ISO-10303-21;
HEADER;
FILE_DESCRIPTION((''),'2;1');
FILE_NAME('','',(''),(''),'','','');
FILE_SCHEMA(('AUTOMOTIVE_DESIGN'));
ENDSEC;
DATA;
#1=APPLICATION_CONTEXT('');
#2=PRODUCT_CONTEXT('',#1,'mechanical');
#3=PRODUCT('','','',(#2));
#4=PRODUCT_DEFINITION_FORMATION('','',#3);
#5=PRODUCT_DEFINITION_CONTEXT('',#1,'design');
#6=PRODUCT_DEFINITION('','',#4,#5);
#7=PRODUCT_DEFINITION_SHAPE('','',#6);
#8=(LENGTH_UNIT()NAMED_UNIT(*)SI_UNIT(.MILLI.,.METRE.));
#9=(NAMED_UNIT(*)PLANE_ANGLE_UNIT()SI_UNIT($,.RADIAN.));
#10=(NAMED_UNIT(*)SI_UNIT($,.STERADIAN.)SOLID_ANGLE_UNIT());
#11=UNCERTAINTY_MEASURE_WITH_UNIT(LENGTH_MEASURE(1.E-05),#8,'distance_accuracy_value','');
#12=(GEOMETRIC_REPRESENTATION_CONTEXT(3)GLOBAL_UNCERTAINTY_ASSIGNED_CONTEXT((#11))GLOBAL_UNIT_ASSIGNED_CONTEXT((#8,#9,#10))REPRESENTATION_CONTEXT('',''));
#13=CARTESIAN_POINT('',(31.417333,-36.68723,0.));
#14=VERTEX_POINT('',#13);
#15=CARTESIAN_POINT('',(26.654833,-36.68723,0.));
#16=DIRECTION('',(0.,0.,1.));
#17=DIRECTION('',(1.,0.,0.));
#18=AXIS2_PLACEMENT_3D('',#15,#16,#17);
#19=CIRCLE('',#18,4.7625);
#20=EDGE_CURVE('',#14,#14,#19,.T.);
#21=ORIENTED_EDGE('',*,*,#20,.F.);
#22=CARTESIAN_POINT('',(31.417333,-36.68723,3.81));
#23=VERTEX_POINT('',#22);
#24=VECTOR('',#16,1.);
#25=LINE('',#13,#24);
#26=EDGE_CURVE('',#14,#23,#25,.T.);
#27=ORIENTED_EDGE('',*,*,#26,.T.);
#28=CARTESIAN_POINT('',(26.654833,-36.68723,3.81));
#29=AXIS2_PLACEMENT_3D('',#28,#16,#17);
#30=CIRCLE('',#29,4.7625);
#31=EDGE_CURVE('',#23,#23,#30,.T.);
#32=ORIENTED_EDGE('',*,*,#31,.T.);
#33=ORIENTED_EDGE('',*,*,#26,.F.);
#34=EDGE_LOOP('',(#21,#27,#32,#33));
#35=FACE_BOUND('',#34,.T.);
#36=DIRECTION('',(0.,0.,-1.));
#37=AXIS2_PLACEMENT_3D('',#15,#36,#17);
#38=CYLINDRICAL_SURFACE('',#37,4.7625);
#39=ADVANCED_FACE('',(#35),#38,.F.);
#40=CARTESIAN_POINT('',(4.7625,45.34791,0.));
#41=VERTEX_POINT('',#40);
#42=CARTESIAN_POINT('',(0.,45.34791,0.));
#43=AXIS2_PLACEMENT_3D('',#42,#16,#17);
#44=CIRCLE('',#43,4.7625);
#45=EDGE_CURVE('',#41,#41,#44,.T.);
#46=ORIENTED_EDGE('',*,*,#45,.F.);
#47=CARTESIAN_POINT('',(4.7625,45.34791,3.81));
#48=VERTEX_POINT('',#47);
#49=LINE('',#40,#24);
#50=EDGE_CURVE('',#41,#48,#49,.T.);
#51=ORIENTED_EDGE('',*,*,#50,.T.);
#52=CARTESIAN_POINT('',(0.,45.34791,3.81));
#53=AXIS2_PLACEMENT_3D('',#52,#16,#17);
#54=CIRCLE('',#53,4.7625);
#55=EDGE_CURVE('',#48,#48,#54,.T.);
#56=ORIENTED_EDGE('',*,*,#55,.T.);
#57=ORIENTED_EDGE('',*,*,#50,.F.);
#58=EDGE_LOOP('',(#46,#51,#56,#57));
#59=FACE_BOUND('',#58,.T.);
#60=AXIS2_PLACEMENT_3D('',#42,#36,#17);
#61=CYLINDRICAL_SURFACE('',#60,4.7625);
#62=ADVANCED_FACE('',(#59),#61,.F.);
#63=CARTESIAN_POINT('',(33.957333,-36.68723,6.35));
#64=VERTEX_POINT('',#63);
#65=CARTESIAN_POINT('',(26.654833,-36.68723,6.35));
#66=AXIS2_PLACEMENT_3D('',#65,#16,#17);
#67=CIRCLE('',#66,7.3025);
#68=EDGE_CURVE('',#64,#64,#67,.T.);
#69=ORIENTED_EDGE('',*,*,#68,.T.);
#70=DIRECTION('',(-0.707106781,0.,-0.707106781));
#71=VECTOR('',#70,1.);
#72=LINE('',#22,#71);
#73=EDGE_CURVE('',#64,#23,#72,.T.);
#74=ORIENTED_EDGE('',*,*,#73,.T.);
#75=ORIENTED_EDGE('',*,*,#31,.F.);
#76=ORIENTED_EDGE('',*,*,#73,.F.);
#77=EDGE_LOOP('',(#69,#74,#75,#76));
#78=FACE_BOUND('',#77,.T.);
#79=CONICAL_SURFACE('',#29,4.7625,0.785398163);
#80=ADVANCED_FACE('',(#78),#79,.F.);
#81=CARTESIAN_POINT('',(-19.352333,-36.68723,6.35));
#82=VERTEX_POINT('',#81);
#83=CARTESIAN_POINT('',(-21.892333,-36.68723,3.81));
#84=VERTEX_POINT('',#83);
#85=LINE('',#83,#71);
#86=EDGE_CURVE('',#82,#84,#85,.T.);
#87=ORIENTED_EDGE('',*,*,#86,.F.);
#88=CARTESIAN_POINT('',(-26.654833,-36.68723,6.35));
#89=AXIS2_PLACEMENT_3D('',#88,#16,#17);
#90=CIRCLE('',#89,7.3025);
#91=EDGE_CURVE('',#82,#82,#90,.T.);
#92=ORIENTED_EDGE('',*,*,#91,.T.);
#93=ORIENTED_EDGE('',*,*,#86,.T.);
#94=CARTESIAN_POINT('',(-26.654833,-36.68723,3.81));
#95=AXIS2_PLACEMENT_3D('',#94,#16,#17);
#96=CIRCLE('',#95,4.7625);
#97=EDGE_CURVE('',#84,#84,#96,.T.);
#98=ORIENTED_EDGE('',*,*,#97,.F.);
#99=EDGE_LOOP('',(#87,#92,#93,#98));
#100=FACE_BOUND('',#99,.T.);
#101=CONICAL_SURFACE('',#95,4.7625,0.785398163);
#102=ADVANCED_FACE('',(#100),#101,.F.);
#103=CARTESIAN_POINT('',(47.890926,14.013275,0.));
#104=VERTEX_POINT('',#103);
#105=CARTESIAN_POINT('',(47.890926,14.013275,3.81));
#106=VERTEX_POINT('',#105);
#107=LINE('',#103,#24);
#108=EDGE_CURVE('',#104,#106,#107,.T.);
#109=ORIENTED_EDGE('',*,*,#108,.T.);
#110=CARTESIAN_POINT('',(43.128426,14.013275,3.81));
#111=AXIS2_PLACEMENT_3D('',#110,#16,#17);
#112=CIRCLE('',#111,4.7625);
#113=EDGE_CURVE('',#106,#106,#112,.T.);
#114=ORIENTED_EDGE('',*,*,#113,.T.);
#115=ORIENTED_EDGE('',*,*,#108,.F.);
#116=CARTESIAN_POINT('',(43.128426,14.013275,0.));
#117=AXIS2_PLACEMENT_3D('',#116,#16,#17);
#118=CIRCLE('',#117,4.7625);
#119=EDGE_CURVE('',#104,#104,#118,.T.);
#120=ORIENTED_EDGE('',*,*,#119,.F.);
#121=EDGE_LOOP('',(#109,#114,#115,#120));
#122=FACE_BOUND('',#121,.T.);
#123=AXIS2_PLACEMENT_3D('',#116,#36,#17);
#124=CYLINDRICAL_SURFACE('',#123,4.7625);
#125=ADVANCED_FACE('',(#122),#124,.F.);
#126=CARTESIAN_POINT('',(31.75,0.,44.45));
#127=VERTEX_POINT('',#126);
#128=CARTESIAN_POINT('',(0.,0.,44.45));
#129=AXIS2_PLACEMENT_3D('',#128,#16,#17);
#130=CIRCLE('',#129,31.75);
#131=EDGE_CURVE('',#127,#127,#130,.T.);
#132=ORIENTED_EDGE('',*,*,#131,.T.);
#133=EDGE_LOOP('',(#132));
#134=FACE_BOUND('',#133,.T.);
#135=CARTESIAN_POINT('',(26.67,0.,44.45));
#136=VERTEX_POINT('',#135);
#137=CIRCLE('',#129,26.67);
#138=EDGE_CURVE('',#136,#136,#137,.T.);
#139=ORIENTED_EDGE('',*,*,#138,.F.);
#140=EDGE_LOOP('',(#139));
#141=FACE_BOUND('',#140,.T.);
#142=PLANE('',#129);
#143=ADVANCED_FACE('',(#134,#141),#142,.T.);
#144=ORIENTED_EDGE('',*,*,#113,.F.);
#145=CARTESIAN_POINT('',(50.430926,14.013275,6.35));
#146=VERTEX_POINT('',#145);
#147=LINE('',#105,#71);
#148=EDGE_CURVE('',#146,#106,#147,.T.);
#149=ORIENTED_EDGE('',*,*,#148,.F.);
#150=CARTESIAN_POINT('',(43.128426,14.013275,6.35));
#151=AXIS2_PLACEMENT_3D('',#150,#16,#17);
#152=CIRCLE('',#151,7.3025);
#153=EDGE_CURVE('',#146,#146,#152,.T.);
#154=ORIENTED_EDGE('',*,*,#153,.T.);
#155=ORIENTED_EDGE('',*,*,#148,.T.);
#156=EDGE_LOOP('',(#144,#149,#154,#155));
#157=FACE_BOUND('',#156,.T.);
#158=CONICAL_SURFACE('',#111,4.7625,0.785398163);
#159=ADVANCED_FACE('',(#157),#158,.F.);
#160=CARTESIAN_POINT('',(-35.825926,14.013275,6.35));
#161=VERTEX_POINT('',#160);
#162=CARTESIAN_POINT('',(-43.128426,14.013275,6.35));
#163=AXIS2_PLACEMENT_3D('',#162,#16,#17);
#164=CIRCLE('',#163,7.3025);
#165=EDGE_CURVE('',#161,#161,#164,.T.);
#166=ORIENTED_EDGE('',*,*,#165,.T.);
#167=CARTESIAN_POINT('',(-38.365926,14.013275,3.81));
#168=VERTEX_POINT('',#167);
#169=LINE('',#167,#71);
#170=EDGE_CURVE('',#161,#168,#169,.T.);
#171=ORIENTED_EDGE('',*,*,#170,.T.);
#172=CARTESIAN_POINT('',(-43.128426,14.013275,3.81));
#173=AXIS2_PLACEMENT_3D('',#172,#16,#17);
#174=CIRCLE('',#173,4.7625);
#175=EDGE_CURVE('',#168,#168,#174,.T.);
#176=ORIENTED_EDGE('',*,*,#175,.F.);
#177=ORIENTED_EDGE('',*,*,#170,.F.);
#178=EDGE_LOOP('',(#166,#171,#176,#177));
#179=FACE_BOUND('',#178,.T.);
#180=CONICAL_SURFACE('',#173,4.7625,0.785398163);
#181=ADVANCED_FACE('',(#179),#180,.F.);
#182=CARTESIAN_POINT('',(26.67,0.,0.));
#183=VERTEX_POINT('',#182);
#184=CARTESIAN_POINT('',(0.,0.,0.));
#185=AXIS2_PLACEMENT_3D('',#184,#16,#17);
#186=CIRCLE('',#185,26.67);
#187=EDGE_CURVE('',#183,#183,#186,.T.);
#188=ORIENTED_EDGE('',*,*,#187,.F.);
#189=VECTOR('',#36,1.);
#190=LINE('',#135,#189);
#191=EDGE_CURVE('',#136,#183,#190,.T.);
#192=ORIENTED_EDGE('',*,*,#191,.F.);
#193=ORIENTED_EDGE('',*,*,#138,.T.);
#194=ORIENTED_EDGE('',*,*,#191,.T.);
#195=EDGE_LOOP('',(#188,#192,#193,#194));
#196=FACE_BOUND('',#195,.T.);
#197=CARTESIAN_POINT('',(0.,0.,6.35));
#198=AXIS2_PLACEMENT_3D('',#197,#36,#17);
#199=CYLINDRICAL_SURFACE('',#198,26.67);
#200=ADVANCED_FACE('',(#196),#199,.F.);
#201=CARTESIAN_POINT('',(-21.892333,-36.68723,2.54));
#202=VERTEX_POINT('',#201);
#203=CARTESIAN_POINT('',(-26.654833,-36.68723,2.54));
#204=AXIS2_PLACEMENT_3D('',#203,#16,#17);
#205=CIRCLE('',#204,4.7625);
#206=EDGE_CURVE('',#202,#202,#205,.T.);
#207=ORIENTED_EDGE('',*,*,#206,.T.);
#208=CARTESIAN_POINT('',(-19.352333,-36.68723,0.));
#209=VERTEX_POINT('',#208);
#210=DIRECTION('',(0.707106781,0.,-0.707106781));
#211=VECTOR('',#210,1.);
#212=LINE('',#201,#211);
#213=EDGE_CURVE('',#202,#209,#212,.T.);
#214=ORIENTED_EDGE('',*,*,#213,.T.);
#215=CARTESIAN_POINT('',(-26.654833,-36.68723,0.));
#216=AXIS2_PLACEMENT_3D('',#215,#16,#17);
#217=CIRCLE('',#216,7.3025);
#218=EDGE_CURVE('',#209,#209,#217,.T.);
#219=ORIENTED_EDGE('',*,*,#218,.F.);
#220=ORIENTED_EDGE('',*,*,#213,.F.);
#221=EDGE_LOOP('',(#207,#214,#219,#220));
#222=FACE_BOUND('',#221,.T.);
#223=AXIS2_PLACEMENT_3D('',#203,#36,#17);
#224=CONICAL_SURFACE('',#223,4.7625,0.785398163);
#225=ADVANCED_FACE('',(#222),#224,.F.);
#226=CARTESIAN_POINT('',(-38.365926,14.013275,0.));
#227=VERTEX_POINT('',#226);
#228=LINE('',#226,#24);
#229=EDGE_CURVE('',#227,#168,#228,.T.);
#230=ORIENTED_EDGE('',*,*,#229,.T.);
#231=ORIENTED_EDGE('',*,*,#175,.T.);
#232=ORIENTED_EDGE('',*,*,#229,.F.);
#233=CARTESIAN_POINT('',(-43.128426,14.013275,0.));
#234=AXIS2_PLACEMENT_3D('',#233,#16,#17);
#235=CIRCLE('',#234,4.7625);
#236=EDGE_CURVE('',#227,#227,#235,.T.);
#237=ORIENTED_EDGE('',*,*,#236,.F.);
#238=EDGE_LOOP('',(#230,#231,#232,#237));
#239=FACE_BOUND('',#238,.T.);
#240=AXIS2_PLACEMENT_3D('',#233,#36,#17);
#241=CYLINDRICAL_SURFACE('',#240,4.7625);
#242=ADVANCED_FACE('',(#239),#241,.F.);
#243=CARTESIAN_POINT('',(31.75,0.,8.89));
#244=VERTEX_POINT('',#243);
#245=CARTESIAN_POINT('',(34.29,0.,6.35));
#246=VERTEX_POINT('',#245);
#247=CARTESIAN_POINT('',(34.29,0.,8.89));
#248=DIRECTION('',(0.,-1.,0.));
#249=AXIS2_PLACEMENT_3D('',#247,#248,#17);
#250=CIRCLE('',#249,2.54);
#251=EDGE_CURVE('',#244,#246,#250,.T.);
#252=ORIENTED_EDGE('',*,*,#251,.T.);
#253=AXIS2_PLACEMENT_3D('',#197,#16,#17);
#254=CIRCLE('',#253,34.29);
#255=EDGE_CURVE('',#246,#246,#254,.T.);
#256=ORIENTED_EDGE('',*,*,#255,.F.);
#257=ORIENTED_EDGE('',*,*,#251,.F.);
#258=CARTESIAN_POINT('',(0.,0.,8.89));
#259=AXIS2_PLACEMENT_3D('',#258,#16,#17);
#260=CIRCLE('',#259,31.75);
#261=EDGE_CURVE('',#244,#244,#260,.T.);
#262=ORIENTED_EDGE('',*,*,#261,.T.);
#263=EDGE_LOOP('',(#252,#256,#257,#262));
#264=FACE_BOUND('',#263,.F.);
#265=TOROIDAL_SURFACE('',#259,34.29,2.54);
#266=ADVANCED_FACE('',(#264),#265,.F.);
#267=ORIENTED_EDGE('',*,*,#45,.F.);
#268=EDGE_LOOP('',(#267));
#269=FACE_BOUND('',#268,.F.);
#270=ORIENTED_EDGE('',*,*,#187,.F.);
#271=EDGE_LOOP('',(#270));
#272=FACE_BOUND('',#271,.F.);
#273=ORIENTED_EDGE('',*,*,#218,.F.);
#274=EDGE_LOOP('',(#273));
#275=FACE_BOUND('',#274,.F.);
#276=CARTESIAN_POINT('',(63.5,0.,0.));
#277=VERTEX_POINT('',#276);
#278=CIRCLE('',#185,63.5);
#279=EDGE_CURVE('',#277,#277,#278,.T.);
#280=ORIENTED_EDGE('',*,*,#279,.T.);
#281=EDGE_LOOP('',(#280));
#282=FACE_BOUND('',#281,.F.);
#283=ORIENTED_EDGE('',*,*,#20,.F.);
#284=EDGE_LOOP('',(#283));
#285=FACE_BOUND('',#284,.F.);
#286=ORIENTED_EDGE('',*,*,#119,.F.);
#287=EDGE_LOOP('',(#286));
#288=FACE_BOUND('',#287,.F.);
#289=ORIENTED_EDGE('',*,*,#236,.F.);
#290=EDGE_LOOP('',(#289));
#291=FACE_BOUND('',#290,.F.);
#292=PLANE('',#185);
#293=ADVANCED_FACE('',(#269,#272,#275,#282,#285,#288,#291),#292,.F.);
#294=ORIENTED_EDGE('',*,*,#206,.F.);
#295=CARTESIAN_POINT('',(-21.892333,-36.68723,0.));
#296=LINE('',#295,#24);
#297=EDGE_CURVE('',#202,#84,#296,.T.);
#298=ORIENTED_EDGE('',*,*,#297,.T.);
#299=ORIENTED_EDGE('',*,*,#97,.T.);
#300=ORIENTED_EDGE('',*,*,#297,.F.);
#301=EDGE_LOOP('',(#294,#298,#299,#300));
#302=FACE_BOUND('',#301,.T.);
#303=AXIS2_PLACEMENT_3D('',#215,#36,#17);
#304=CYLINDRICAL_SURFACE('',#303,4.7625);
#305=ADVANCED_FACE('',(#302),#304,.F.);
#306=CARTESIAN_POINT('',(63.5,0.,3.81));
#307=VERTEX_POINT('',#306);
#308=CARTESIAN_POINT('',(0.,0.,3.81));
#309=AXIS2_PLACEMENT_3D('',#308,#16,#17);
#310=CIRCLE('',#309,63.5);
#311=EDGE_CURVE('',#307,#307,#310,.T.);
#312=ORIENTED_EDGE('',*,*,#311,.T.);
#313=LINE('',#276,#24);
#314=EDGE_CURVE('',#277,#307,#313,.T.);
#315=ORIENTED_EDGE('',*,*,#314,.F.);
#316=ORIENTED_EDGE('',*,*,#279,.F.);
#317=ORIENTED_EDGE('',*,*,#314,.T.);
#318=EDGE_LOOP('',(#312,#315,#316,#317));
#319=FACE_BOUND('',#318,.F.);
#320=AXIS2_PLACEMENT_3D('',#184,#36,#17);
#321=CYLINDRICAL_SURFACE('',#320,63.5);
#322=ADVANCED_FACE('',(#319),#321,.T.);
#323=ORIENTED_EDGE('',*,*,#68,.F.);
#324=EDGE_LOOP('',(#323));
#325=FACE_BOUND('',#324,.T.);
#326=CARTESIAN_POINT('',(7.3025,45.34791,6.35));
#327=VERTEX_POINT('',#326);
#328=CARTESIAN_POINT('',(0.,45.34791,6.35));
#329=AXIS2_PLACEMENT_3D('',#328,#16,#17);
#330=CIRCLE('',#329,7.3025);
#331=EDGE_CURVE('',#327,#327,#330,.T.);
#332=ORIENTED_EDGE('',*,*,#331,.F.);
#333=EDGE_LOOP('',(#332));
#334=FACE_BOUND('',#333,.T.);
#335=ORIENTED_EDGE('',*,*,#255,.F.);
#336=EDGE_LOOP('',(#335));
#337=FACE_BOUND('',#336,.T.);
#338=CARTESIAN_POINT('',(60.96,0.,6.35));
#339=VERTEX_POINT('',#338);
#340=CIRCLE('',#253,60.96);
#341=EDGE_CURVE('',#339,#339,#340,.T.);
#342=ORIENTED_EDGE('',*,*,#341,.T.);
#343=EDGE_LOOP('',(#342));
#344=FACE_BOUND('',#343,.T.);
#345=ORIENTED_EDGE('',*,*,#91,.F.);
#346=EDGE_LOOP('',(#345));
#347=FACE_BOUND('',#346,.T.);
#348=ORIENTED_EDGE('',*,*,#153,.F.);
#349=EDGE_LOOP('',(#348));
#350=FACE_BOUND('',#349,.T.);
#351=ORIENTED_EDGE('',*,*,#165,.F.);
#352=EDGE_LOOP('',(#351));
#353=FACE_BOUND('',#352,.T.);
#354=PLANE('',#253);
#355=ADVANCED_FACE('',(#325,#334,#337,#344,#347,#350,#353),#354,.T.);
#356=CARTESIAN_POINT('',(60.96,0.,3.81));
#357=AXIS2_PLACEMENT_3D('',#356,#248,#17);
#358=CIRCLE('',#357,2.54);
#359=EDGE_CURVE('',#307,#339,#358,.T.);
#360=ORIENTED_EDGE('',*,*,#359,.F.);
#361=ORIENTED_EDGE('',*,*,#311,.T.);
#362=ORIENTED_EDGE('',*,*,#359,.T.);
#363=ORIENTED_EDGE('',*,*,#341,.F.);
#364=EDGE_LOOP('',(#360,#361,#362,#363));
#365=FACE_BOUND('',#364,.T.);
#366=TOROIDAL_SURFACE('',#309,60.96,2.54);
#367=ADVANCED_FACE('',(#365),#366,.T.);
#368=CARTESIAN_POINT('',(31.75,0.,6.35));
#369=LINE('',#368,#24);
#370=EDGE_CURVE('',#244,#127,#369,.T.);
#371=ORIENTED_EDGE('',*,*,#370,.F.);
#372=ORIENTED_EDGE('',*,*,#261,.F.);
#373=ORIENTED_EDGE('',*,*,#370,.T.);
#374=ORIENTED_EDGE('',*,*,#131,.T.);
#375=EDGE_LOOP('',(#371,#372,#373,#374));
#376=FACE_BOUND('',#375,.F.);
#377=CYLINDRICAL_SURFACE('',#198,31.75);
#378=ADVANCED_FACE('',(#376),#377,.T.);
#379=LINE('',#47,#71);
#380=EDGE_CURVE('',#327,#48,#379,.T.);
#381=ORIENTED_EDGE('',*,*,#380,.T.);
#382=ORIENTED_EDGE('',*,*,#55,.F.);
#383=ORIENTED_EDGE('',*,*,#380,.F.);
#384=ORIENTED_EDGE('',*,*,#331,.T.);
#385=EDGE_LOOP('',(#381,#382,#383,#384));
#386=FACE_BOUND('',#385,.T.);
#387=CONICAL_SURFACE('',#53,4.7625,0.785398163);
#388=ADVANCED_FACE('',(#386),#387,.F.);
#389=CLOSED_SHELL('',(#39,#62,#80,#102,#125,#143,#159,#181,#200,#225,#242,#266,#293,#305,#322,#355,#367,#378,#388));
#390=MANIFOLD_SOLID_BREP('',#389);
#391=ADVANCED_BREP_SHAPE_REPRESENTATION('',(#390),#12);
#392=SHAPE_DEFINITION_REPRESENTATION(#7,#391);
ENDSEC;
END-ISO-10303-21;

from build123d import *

# Parameters (mm, degrees)
F0_R     = 63.5
F0_R_2   = 4.7625
F0_R_3   = 26.67
F1_DEPTH = 6.35
F2_R     = 31.75
F2_R_2   = 26.67
F3_DEPTH = 38.1
F4_R     = 2.54
F5_SIZE  = 2.54


with BuildPart() as f1:
    # F0 (on Top) → F1 (new body)
    with BuildSketch(Plane.XY):
        Circle(F0_R)
        with Locations((-26.654833, -36.68723)):
            Circle(F0_R_2, mode=Mode.SUBTRACT)
        with Locations((26.654833, -36.68723)):
            Circle(F0_R_2, mode=Mode.SUBTRACT)
        with Locations((-43.128426, 14.013275)):
            Circle(F0_R_2, mode=Mode.SUBTRACT)
        Circle(F0_R_3, mode=Mode.SUBTRACT)
        with Locations((43.128426, 14.013275)):
            Circle(F0_R_2, mode=Mode.SUBTRACT)
        with Locations((0, 45.34791)):
            Circle(F0_R_2, mode=Mode.SUBTRACT)
    extrude(amount=F1_DEPTH)

    # F2 (on face) → F3 (join)
    with BuildSketch(Plane.XY.offset(6.35)):
        Circle(F2_R)
        Circle(F2_R_2, mode=Mode.SUBTRACT)
    extrude(amount=F3_DEPTH)

    # F4
    f4_edges = [f1.edges().sort_by_distance(p)[0] for p in [
        (-31.75, 0, 6.35),
        (-63.5, 0, 6.35),
    ]]
    fillet(f4_edges, radius=F4_R)

    # F5
    f5_edges = [f1.edges().sort_by_distance(p)[0] for p in [
        (-47.890926, 14.013275, 6.35),
        (-21.892333, -36.68723, 3.175),
        (-31.417333, -36.68723, 0),
        (-31.417333, -36.68723, 6.35),
        (21.892333, -36.68723, 6.35),
        (38.365926, 14.013275, 6.35),
        (-4.7625, 45.34791, 6.35),
    ]]
    chamfer(f5_edges, length=F5_SIZE)


solid = f1.part
